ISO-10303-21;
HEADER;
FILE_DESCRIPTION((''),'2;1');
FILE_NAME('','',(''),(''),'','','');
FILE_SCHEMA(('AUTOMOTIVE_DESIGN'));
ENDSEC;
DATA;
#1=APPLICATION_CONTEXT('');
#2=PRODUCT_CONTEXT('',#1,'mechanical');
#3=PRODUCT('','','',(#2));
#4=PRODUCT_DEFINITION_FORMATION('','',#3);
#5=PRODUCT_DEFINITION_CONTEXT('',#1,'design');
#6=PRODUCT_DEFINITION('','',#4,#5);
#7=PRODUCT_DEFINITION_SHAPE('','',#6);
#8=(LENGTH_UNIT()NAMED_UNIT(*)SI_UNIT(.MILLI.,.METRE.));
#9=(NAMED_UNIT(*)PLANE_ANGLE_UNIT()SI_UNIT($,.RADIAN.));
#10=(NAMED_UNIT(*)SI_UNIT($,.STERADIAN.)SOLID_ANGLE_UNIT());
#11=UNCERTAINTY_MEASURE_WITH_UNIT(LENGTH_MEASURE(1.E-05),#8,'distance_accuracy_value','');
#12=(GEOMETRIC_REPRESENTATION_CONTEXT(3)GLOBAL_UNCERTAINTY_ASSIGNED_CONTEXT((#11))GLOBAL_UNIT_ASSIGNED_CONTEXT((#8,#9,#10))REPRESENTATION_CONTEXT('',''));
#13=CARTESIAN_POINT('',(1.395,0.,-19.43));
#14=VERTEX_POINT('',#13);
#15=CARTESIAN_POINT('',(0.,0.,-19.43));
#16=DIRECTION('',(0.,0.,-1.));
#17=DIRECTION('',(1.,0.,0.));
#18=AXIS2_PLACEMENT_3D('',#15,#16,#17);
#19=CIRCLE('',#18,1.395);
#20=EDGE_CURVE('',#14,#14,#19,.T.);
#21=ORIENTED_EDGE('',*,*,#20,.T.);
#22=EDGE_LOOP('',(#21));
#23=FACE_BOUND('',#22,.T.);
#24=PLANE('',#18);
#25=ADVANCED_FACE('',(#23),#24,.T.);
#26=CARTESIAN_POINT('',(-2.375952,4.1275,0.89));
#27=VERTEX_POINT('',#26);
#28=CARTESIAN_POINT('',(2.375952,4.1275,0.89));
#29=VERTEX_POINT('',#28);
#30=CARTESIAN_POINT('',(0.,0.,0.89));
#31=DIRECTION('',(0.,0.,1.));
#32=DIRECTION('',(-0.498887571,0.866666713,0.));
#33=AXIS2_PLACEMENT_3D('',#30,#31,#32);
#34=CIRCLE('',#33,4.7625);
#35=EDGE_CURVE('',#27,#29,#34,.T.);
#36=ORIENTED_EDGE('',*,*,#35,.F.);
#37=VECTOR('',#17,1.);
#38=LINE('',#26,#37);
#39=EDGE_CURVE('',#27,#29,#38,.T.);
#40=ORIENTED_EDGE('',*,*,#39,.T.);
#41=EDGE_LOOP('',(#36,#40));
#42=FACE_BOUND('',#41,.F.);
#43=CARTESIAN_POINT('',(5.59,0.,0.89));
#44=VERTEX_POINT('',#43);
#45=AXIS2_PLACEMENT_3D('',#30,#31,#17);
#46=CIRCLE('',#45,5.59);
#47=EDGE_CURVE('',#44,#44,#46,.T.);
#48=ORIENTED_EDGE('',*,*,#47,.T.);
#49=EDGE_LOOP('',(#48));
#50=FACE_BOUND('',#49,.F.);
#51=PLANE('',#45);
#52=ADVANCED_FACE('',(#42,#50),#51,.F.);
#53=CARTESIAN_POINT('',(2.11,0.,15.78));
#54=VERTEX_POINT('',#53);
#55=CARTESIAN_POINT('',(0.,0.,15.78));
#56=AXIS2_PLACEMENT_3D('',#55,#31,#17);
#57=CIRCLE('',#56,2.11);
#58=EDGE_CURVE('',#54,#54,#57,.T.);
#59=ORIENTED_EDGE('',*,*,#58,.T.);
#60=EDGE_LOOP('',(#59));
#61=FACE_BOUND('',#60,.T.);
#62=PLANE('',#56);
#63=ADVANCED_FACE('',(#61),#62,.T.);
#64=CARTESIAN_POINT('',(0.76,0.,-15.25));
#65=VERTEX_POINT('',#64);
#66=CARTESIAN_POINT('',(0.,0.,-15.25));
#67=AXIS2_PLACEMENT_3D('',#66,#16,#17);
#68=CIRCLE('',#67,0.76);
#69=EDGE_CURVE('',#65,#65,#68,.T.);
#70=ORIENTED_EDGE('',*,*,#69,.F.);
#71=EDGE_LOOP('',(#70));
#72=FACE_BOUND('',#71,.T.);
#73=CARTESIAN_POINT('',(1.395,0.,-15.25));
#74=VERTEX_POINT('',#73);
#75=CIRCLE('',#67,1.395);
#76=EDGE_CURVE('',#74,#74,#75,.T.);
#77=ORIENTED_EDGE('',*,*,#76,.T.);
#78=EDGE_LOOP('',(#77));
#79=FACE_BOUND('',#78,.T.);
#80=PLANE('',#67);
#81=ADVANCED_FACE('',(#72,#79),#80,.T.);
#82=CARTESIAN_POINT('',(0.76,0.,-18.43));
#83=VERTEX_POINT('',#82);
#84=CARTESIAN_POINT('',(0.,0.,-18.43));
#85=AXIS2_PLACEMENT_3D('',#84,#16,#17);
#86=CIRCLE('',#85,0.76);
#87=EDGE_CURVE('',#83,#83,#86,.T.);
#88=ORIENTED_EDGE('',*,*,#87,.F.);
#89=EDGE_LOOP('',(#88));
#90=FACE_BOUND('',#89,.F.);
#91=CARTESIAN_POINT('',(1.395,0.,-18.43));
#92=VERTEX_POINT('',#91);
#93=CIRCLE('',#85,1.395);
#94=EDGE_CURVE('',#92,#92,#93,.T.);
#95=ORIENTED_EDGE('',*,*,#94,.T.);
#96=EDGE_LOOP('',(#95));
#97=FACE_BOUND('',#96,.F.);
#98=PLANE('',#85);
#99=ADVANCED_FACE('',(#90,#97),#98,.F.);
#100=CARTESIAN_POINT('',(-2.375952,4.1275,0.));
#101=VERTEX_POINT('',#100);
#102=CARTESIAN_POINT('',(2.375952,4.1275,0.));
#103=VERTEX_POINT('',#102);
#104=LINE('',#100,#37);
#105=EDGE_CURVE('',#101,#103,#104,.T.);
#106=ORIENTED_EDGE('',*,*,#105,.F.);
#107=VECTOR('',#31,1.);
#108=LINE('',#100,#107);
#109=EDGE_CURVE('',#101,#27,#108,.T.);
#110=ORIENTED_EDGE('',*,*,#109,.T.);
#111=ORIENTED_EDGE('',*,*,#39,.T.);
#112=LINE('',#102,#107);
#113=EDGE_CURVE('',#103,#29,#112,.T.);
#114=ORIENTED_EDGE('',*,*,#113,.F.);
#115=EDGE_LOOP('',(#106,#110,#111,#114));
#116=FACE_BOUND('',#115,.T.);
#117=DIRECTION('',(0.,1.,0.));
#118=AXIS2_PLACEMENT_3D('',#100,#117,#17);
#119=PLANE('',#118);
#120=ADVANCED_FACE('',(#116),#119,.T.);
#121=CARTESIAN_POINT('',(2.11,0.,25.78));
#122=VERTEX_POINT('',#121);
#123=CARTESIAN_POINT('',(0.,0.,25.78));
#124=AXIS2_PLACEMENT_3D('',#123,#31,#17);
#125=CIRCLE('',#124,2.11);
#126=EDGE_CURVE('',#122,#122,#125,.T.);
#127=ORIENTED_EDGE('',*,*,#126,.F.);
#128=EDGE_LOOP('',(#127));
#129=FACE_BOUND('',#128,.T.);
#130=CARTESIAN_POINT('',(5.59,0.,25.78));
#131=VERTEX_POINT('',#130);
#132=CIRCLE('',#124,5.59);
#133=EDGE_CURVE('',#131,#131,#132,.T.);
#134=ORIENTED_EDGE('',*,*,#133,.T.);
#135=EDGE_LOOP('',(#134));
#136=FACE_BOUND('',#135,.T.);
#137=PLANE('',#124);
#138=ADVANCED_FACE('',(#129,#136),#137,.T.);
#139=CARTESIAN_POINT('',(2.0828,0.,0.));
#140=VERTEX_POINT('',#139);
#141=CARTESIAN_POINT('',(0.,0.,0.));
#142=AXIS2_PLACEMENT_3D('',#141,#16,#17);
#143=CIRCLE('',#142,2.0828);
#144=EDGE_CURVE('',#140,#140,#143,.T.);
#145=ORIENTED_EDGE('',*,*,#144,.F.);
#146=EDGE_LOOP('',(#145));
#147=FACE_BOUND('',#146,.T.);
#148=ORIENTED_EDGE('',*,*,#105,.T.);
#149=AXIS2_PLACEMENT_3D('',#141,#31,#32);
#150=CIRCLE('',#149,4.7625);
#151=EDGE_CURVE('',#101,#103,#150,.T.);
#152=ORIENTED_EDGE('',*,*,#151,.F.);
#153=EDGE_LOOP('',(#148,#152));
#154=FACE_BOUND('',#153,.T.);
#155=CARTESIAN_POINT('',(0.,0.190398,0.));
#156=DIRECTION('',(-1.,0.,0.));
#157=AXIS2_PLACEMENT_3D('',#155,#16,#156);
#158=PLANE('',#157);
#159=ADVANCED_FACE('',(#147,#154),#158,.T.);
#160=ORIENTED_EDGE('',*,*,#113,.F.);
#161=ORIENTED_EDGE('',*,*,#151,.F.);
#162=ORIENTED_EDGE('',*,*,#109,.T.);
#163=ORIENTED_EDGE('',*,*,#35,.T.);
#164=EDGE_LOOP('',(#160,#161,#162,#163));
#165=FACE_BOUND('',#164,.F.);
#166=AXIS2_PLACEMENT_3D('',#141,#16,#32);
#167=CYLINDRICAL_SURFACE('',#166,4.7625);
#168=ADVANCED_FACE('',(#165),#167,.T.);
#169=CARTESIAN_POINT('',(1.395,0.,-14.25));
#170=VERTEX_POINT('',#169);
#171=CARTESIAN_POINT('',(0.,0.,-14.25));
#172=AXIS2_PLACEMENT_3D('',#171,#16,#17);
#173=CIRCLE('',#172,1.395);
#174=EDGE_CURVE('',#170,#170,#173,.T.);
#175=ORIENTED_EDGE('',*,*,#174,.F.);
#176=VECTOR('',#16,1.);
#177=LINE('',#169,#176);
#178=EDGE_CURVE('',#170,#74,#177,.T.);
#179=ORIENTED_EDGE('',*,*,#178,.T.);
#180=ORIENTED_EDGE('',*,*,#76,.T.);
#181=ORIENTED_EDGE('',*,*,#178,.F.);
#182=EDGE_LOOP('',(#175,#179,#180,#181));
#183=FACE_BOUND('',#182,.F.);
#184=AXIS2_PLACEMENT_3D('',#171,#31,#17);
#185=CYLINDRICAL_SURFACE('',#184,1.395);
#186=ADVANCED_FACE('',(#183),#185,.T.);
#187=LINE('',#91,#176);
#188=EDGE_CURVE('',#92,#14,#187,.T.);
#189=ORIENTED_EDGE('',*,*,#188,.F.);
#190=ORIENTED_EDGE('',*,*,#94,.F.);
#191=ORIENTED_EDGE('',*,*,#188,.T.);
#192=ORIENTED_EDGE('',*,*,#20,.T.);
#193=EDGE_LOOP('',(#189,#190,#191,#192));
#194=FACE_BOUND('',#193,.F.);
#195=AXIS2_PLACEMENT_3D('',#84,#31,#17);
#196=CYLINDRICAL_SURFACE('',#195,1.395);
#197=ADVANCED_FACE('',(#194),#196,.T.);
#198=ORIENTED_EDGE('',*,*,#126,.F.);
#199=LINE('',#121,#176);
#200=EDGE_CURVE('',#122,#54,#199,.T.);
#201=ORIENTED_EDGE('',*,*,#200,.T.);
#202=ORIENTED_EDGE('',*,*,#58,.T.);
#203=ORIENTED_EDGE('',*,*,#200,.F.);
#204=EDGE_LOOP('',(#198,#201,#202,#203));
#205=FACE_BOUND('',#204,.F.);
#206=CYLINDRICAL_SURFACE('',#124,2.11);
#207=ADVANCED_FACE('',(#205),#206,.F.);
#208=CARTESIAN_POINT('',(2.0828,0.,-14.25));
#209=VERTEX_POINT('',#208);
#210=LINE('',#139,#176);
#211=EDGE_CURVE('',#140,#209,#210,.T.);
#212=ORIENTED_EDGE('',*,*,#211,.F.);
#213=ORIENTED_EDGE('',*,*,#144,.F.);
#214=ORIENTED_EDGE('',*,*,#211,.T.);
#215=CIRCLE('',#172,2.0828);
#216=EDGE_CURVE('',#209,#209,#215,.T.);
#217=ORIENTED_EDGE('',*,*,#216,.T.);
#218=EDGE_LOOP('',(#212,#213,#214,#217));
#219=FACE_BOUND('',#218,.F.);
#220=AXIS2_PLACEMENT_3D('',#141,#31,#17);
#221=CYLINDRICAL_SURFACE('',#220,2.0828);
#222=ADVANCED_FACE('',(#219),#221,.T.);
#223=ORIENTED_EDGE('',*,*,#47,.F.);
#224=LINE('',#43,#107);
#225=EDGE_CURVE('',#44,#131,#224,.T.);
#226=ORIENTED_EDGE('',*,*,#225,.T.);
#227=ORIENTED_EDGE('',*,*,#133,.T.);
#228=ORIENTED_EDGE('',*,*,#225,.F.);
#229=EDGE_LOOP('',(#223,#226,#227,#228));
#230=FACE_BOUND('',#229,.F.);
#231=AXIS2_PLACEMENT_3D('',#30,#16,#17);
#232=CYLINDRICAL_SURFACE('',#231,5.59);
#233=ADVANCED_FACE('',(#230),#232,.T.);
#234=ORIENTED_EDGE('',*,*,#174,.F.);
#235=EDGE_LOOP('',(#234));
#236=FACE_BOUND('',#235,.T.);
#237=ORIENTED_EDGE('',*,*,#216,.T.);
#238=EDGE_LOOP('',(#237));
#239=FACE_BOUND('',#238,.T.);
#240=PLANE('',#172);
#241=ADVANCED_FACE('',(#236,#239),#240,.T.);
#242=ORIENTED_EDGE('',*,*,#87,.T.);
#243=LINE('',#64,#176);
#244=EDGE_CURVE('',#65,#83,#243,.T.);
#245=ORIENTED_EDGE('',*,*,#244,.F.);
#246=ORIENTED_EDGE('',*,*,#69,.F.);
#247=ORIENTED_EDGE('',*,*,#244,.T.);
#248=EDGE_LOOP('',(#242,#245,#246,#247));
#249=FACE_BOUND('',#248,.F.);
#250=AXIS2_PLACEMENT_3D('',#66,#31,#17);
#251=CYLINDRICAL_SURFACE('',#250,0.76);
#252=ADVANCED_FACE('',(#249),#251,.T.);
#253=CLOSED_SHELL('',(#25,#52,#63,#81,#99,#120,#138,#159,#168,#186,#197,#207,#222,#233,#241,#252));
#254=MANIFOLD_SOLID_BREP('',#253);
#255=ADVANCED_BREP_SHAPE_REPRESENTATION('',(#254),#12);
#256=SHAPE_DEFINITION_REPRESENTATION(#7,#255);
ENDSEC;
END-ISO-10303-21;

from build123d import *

# Parameters (mm, degrees)
PAD_DEPTH    = 0.89
SKETCH001_R  = 5.59
PAD001_DEPTH = 24.89
SKETCH002_R  = 2.0828
PAD002_DEPTH = 14.25
SKETCH003_R  = 1.395
PAD003_DEPTH = 1
SKETCH004_R  = 0.76
PAD004_DEPTH = 3.18
SKETCH005_R  = 1.395
PAD005_DEPTH = 1
SKETCH006_R  = 2.11
POCKET_DEPTH = 10


with BuildPart() as part:
    # Sketch → Pad (new body)
    with BuildSketch(Plane.XY):
        with BuildLine():
            Line((-2.375952, 4.1275), (2.375952, 4.1275))
            ThreePointArc((-2.375952, 4.1275), (0, -4.7625), (2.375952, 4.1275))
        make_face()
    extrude(amount=PAD_DEPTH)

    # Sketch001 (on Face4 of Pad) → Pad001 (join)
    with BuildSketch(Plane.XY.offset(0.89)):
        Circle(SKETCH001_R)
    extrude(amount=PAD001_DEPTH)

    # Sketch002 (on Face6 of Pad001) → Pad002 (join)
    with BuildSketch(Plane(origin=(0, 0, 0), x_dir=(1, 0, 0), z_dir=(0, 0, -1))):
        Circle(SKETCH002_R)
    extrude(amount=PAD002_DEPTH)

    # Sketch003 (on Face8 of Pad002) → Pad003 (join)
    with BuildSketch(Plane(origin=(0, 0, -14.25), x_dir=(1, 0, 0), z_dir=(0, 0, -1))):
        Circle(SKETCH003_R)
    extrude(amount=PAD003_DEPTH)

    # Sketch004 (on Face10 of Pad003) → Pad004 (join)
    with BuildSketch(Plane(origin=(0, 0, -15.25), x_dir=(1, 0, 0), z_dir=(0, 0, -1))):
        Circle(SKETCH004_R)
    extrude(amount=PAD004_DEPTH)

    # Sketch005 (on Face12 of Pad004) → Pad005 (join)
    with BuildSketch(Plane(origin=(0, 0, -18.43), x_dir=(1, 0, 0), z_dir=(0, 0, -1))):
        Circle(SKETCH005_R)
    extrude(amount=PAD005_DEPTH)

    # Sketch006 (on Face14 of Pad005) → Pocket (cut)
    with BuildSketch(Plane.XY.offset(25.78)):
        Circle(SKETCH006_R)
    extrude(amount=-POCKET_DEPTH, mode=Mode.SUBTRACT)


solid = part.part
